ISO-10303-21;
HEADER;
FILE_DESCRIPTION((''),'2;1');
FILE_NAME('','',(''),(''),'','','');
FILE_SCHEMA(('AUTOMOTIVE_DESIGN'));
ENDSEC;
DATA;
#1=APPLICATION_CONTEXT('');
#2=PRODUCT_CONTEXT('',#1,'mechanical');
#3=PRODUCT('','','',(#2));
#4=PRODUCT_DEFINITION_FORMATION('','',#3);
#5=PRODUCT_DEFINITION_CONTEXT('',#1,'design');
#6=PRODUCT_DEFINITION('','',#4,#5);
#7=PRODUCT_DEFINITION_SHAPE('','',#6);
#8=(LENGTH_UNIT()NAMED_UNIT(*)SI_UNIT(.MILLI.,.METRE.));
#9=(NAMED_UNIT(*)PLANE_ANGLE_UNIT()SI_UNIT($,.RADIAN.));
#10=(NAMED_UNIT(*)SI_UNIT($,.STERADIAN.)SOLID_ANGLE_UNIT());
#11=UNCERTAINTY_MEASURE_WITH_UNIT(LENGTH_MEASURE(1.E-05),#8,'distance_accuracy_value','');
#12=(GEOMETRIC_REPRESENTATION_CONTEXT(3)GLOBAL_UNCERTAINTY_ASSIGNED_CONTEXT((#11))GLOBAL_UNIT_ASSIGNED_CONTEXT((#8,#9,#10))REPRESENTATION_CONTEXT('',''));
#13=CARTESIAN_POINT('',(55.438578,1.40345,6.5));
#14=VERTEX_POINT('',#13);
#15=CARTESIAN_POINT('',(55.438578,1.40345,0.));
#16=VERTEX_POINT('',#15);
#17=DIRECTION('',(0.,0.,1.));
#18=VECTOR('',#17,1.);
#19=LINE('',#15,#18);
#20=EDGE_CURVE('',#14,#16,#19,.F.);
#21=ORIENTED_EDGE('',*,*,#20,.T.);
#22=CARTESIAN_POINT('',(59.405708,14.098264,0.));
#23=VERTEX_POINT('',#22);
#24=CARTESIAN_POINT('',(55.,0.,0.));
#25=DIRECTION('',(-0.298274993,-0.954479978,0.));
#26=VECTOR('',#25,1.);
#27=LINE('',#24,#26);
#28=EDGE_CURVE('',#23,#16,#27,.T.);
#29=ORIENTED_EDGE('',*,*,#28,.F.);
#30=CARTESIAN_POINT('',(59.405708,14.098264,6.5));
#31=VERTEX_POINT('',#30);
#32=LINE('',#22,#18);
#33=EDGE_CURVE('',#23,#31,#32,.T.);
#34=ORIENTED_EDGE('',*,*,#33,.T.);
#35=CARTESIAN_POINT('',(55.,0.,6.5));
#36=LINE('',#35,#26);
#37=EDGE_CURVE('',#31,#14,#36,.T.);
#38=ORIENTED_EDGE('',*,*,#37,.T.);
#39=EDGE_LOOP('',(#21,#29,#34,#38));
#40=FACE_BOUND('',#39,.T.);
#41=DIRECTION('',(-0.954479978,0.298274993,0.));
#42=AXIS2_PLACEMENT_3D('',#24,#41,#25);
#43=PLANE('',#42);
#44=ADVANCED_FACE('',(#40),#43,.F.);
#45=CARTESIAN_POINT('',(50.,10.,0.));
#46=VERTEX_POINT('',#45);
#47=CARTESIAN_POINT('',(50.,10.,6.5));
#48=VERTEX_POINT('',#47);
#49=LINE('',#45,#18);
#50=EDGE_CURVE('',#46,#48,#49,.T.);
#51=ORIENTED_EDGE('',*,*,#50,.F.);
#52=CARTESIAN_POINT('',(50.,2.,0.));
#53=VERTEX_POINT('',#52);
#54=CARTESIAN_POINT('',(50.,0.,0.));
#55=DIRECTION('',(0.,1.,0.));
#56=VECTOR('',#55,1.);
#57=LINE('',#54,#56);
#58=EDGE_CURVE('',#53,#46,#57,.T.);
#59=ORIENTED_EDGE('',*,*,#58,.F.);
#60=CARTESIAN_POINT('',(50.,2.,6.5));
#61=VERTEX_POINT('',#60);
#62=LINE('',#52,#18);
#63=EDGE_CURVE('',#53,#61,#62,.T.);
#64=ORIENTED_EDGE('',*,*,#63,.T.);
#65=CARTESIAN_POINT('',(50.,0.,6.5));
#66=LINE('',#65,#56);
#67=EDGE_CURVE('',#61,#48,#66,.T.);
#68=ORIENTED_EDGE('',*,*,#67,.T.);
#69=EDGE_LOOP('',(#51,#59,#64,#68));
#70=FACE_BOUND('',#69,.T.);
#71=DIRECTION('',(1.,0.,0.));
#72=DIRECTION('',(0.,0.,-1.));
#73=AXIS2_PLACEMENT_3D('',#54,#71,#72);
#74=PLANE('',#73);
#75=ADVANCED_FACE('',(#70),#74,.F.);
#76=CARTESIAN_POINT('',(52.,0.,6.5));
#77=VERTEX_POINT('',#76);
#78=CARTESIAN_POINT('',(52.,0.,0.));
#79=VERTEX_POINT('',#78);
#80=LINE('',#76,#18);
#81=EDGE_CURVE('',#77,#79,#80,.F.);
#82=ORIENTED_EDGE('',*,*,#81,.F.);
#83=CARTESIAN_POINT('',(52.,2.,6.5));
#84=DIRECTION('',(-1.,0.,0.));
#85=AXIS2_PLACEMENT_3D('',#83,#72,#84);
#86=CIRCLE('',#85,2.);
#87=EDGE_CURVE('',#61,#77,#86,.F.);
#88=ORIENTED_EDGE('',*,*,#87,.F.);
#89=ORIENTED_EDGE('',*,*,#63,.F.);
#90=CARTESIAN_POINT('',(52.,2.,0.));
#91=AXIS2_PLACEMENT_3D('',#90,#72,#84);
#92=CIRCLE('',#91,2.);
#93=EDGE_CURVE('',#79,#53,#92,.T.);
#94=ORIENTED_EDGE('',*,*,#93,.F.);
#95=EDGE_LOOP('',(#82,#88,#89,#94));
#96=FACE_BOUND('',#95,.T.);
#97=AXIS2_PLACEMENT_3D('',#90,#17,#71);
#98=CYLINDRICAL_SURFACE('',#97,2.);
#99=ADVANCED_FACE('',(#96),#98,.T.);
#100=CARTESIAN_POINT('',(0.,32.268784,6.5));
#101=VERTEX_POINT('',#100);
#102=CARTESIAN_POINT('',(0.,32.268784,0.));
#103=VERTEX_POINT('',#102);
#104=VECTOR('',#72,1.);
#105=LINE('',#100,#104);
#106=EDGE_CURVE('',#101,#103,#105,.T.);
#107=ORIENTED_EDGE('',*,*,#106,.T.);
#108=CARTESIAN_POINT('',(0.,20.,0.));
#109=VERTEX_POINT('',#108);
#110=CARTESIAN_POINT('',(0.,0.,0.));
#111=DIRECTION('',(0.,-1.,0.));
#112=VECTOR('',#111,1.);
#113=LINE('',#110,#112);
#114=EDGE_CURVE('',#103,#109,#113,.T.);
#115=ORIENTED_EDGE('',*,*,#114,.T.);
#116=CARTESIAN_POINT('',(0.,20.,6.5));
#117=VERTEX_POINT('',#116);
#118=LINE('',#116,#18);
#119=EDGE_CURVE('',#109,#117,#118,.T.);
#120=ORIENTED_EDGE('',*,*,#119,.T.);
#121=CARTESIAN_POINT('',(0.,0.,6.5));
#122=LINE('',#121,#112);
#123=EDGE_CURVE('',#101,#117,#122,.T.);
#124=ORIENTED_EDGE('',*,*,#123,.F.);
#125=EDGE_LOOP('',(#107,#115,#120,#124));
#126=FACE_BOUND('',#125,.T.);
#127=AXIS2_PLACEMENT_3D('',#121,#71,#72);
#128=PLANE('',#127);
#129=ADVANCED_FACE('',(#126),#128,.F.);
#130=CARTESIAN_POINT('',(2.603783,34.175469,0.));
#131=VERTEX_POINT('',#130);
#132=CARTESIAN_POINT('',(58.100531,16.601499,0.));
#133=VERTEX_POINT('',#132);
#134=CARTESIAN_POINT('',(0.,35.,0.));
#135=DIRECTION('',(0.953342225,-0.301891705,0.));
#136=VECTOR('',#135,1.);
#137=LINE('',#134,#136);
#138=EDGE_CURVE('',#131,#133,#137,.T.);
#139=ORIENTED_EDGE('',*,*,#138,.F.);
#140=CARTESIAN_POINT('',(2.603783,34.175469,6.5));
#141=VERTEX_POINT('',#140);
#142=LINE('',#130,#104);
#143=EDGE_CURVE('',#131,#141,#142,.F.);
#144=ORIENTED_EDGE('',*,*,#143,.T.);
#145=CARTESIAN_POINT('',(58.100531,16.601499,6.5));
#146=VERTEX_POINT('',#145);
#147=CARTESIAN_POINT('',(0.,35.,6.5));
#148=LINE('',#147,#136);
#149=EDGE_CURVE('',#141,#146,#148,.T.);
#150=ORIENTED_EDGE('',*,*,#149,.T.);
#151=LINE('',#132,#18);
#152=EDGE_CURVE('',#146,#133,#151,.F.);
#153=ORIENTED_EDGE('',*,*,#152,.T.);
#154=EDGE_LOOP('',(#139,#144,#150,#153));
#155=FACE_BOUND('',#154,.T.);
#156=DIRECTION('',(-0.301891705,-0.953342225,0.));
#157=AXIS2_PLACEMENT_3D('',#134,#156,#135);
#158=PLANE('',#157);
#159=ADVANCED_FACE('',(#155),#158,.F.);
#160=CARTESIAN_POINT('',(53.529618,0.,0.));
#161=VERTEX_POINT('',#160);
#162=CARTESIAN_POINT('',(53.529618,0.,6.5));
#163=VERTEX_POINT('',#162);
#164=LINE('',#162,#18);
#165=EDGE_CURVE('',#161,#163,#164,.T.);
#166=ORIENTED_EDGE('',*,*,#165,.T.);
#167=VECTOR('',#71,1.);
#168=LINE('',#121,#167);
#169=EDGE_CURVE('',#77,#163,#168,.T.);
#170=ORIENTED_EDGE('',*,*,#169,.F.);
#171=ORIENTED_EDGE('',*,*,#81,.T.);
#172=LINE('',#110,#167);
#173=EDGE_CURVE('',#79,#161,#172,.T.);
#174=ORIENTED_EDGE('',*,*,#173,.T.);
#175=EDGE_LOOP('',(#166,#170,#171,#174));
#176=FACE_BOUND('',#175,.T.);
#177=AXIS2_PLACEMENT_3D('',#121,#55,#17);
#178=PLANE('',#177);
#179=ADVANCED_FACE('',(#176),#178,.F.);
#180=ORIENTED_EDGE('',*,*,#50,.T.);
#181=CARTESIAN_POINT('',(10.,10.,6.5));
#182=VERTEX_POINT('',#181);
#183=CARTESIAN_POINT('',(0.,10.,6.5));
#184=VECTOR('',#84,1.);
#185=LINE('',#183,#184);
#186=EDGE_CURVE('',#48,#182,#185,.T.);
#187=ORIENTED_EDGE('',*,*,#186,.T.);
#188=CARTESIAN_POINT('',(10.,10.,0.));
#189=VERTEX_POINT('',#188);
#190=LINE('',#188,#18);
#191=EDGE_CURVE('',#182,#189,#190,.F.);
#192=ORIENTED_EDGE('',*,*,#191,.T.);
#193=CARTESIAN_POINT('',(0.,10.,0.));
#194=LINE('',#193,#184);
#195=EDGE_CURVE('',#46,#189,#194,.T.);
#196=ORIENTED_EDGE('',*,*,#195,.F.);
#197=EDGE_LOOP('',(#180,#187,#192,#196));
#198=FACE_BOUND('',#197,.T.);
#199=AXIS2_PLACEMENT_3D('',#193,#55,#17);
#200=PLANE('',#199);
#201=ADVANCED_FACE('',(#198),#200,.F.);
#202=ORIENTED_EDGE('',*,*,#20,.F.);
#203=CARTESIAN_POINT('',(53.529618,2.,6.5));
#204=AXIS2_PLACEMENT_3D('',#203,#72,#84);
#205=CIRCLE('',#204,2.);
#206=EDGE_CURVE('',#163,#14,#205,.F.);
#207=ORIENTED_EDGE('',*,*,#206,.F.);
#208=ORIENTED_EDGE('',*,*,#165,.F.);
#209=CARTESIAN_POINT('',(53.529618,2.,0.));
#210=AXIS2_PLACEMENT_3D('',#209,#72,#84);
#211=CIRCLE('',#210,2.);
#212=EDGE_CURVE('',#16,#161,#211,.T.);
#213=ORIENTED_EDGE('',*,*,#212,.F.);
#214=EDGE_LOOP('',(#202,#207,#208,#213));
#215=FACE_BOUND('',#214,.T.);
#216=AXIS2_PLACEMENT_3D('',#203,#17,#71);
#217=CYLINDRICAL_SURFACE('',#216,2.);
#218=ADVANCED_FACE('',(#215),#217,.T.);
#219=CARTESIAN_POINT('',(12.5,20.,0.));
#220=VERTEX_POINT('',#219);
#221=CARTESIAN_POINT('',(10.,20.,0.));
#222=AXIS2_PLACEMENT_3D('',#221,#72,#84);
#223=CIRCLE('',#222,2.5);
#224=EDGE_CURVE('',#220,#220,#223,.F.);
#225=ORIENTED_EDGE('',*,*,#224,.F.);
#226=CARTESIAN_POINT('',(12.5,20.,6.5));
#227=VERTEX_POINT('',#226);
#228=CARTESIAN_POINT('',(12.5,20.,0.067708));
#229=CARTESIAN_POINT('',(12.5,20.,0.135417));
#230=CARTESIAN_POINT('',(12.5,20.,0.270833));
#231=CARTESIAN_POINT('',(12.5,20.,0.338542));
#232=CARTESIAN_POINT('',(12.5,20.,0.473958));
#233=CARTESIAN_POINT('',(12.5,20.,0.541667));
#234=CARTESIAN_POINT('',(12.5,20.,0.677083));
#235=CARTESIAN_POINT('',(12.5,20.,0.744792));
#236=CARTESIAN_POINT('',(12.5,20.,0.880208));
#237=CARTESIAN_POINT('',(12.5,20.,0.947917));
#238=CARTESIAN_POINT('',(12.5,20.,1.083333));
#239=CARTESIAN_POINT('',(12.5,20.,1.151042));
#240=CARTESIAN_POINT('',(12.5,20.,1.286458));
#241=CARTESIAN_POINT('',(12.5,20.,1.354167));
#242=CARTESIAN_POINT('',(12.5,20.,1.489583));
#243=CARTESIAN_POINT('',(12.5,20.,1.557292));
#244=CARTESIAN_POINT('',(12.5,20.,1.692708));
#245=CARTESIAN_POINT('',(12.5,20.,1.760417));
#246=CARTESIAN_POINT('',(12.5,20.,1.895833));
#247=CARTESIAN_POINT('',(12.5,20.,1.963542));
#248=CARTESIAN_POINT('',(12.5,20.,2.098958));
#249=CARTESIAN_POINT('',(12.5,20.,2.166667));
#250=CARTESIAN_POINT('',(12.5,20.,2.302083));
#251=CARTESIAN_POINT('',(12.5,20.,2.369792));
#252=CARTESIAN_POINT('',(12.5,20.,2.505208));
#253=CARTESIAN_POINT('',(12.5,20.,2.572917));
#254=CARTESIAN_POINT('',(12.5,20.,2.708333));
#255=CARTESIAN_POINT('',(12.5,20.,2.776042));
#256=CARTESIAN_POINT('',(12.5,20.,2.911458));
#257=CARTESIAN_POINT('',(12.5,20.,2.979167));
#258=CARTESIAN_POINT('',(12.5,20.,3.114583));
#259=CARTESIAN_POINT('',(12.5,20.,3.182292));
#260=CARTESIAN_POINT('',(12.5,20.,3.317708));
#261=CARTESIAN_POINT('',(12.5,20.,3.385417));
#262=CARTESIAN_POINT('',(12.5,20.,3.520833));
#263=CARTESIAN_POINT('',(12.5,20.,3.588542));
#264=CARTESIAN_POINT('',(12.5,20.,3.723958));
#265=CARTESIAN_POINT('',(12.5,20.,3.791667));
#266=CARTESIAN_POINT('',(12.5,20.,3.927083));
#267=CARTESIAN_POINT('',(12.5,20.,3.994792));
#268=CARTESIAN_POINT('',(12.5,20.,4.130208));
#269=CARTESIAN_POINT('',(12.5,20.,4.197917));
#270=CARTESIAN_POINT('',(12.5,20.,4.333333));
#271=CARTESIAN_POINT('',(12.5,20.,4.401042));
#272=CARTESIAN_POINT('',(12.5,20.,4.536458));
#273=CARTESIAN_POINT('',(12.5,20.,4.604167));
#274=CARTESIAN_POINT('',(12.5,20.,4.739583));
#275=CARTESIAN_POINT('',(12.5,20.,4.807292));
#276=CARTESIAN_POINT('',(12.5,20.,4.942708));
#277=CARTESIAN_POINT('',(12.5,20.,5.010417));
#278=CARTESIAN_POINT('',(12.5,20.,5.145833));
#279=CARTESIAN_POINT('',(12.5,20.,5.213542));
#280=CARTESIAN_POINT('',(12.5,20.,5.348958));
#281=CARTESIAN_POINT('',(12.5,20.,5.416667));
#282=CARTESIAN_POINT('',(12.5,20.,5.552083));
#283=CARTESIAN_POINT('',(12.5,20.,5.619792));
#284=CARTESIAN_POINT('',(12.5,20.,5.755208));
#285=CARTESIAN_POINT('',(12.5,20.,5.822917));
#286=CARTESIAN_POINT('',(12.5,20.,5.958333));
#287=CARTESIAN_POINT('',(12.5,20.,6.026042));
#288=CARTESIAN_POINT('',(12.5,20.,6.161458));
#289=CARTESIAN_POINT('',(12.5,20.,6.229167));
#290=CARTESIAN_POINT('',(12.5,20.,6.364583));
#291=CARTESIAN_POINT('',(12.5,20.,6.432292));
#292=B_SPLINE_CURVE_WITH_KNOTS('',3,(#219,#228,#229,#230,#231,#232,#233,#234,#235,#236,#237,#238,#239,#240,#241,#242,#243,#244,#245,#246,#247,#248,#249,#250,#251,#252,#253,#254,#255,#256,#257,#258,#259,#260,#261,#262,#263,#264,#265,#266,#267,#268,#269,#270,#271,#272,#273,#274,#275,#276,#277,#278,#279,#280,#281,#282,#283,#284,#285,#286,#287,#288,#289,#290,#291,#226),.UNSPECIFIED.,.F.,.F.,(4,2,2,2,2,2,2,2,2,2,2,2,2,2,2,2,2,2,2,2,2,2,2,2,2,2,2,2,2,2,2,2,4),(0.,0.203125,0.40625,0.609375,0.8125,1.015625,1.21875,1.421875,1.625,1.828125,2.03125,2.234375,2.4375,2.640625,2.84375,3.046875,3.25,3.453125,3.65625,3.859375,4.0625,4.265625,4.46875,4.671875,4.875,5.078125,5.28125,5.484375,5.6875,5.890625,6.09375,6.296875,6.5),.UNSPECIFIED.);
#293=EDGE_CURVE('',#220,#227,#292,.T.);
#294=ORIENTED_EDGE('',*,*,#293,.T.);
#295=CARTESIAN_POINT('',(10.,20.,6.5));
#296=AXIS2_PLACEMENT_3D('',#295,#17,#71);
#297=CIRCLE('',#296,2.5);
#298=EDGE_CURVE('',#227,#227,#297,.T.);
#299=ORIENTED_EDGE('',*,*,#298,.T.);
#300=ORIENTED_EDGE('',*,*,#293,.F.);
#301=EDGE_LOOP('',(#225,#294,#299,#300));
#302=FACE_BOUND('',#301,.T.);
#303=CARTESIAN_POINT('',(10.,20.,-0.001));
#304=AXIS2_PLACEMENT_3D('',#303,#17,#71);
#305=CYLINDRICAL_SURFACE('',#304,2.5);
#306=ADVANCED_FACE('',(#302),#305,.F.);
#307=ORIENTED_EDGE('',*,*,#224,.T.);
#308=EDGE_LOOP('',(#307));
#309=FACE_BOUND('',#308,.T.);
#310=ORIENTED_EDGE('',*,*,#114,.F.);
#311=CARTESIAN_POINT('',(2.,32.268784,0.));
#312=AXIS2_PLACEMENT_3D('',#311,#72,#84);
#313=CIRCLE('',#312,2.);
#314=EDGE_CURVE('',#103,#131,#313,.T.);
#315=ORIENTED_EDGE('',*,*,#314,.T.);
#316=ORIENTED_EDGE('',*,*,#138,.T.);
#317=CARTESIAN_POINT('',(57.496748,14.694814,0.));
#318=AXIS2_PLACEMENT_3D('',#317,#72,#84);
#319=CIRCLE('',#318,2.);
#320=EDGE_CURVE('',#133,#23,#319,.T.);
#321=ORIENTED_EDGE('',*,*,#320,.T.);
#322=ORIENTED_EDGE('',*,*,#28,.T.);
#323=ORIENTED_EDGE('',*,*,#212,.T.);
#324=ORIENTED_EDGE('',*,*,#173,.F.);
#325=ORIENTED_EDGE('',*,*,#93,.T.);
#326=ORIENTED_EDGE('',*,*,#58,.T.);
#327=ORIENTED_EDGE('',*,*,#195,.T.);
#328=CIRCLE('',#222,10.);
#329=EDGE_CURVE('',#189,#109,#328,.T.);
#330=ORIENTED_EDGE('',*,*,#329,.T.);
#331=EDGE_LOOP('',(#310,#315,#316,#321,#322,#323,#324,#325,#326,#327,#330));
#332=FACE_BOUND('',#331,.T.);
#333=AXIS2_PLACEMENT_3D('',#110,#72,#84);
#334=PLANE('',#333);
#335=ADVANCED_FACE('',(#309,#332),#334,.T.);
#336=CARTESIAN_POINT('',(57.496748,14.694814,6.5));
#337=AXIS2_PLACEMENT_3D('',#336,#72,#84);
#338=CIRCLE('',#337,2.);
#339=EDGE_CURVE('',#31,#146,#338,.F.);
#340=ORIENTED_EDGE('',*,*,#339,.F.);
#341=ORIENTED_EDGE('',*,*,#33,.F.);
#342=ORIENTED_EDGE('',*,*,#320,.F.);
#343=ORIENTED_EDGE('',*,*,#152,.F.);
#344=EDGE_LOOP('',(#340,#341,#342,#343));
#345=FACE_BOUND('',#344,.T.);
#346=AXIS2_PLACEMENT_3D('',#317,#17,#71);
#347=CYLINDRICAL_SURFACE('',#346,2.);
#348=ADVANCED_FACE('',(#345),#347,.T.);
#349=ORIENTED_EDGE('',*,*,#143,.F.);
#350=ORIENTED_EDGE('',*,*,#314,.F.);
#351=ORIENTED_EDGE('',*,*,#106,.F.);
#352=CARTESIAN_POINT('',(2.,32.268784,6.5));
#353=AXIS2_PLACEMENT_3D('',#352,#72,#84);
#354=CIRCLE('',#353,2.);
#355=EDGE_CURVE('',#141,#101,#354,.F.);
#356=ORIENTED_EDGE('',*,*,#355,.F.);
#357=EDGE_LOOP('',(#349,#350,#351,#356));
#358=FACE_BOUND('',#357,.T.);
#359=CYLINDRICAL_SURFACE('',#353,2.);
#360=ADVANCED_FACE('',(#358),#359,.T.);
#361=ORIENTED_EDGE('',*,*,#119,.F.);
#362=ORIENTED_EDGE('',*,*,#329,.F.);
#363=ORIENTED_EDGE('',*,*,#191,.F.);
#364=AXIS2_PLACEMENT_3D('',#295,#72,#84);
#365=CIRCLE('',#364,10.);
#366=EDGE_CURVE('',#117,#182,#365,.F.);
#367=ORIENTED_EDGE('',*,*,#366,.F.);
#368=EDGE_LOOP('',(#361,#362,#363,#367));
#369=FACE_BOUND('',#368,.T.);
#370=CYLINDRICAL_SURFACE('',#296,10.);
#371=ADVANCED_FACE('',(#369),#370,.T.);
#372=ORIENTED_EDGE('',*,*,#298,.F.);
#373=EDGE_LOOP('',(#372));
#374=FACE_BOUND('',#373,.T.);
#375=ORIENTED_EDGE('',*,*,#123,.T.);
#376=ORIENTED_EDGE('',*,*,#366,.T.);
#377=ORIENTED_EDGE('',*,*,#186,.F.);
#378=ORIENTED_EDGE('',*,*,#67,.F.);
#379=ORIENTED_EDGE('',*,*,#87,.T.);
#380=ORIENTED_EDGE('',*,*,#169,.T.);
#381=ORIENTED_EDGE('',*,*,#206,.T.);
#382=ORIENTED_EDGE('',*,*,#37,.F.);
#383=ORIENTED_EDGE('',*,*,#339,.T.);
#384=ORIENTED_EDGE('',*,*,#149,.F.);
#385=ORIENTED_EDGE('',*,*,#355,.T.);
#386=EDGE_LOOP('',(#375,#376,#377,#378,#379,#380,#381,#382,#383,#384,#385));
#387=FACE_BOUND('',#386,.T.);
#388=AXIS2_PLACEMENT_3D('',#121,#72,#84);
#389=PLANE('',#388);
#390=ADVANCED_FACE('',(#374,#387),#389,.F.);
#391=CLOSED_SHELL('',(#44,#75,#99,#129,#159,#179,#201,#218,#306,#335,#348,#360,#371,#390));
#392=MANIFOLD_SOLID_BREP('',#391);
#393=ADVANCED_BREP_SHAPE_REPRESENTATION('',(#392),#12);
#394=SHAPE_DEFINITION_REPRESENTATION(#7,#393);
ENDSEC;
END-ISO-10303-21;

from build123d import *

# Parameters (mm, degrees)
SKETCH1_W           = 60
SKETCH1_H           = 35
BOSS_EXTRUDE1_DEPTH = 6.5
SKETCH2_W           = 50
SKETCH2_H           = 10
CUT_EXTRUDE1_DEPTH  = 70.765679241
FILLET1_R           = 10
CUT_EXTRUDE2_REACH  = 71.766
SKETCH3_R           = 2.5
CUT_EXTRUDE3_DEPTH  = 70.765679241
CUT_EXTRUDE4_DEPTH  = 70.765679241
FILLET6_R           = 2
FILLET7_R           = 2
FILLET8_R           = 2
FILLET9_R           = 2


with BuildPart() as part:
    # Sketch1 → Boss-Extrude1 (new body)
    with BuildSketch(Plane.XY):
        with Locations((30, 17.5)):
            Rectangle(SKETCH1_W, SKETCH1_H)
    extrude(amount=BOSS_EXTRUDE1_DEPTH)

    # Sketch2 → Cut-Extrude1 (cut, through all)
    with BuildSketch(Plane.XY.offset(6.5)):
        with Locations((25, 5)):
            Rectangle(SKETCH2_W, SKETCH2_H)
    extrude(amount=-CUT_EXTRUDE1_DEPTH, mode=Mode.SUBTRACT)

    # Fillet1
    fillet1_edges = [part.edges().sort_by_distance(p)[0] for p in [
        (0, 10, 3.25),
    ]]
    fillet(fillet1_edges, radius=FILLET1_R)

    # Sketch3 → Cut-Extrude2 (cut, up to next)
    with BuildSketch(Plane.XY.offset(6.5), mode=Mode.PRIVATE) as cut_extrude2_sk1:
        with Locations((10, 20)):
            Circle(SKETCH3_R)
    cut_extrude2_tool1 = extrude(cut_extrude2_sk1.sketch, amount=-CUT_EXTRUDE2_REACH, mode=Mode.PRIVATE) & part.part
    add(cut_extrude2_tool1.solids().sort_by_distance((10, 20, 6.5))[0], mode=Mode.SUBTRACT)

    # Sketch4 → Cut-Extrude3 (cut, through all)
    with BuildSketch(Plane.XY.offset(6.5)):
        Polygon((55, 0), (60, 16), (60, 0), align=None)
    extrude(amount=-CUT_EXTRUDE3_DEPTH, mode=Mode.SUBTRACT)

    # Sketch5 → Cut-Extrude4 (cut, through all)
    with BuildSketch(Plane.XY.offset(6.5)):
        Polygon((0, 35), (60, 16), (60, 35), align=None)
    extrude(amount=-CUT_EXTRUDE4_DEPTH, mode=Mode.SUBTRACT)

    # Fillet6
    fillet6_edges = [part.edges().sort_by_distance(p)[0] for p in [
        (50, 0, 3.25),
    ]]
    fillet(fillet6_edges, radius=FILLET6_R)

    # Fillet7
    fillet7_edges = [part.edges().sort_by_distance(p)[0] for p in [
        (55, 0, 3.25),
    ]]
    fillet(fillet7_edges, radius=FILLET7_R)

    # Fillet8
    fillet8_edges = [part.edges().sort_by_distance(p)[0] for p in [
        (60, 16, 3.25),
    ]]
    fillet(fillet8_edges, radius=FILLET8_R)

    # Fillet9
    fillet9_edges = [part.edges().sort_by_distance(p)[0] for p in [
        (0, 35, 3.25),
    ]]
    fillet(fillet9_edges, radius=FILLET9_R)


solid = part.part
